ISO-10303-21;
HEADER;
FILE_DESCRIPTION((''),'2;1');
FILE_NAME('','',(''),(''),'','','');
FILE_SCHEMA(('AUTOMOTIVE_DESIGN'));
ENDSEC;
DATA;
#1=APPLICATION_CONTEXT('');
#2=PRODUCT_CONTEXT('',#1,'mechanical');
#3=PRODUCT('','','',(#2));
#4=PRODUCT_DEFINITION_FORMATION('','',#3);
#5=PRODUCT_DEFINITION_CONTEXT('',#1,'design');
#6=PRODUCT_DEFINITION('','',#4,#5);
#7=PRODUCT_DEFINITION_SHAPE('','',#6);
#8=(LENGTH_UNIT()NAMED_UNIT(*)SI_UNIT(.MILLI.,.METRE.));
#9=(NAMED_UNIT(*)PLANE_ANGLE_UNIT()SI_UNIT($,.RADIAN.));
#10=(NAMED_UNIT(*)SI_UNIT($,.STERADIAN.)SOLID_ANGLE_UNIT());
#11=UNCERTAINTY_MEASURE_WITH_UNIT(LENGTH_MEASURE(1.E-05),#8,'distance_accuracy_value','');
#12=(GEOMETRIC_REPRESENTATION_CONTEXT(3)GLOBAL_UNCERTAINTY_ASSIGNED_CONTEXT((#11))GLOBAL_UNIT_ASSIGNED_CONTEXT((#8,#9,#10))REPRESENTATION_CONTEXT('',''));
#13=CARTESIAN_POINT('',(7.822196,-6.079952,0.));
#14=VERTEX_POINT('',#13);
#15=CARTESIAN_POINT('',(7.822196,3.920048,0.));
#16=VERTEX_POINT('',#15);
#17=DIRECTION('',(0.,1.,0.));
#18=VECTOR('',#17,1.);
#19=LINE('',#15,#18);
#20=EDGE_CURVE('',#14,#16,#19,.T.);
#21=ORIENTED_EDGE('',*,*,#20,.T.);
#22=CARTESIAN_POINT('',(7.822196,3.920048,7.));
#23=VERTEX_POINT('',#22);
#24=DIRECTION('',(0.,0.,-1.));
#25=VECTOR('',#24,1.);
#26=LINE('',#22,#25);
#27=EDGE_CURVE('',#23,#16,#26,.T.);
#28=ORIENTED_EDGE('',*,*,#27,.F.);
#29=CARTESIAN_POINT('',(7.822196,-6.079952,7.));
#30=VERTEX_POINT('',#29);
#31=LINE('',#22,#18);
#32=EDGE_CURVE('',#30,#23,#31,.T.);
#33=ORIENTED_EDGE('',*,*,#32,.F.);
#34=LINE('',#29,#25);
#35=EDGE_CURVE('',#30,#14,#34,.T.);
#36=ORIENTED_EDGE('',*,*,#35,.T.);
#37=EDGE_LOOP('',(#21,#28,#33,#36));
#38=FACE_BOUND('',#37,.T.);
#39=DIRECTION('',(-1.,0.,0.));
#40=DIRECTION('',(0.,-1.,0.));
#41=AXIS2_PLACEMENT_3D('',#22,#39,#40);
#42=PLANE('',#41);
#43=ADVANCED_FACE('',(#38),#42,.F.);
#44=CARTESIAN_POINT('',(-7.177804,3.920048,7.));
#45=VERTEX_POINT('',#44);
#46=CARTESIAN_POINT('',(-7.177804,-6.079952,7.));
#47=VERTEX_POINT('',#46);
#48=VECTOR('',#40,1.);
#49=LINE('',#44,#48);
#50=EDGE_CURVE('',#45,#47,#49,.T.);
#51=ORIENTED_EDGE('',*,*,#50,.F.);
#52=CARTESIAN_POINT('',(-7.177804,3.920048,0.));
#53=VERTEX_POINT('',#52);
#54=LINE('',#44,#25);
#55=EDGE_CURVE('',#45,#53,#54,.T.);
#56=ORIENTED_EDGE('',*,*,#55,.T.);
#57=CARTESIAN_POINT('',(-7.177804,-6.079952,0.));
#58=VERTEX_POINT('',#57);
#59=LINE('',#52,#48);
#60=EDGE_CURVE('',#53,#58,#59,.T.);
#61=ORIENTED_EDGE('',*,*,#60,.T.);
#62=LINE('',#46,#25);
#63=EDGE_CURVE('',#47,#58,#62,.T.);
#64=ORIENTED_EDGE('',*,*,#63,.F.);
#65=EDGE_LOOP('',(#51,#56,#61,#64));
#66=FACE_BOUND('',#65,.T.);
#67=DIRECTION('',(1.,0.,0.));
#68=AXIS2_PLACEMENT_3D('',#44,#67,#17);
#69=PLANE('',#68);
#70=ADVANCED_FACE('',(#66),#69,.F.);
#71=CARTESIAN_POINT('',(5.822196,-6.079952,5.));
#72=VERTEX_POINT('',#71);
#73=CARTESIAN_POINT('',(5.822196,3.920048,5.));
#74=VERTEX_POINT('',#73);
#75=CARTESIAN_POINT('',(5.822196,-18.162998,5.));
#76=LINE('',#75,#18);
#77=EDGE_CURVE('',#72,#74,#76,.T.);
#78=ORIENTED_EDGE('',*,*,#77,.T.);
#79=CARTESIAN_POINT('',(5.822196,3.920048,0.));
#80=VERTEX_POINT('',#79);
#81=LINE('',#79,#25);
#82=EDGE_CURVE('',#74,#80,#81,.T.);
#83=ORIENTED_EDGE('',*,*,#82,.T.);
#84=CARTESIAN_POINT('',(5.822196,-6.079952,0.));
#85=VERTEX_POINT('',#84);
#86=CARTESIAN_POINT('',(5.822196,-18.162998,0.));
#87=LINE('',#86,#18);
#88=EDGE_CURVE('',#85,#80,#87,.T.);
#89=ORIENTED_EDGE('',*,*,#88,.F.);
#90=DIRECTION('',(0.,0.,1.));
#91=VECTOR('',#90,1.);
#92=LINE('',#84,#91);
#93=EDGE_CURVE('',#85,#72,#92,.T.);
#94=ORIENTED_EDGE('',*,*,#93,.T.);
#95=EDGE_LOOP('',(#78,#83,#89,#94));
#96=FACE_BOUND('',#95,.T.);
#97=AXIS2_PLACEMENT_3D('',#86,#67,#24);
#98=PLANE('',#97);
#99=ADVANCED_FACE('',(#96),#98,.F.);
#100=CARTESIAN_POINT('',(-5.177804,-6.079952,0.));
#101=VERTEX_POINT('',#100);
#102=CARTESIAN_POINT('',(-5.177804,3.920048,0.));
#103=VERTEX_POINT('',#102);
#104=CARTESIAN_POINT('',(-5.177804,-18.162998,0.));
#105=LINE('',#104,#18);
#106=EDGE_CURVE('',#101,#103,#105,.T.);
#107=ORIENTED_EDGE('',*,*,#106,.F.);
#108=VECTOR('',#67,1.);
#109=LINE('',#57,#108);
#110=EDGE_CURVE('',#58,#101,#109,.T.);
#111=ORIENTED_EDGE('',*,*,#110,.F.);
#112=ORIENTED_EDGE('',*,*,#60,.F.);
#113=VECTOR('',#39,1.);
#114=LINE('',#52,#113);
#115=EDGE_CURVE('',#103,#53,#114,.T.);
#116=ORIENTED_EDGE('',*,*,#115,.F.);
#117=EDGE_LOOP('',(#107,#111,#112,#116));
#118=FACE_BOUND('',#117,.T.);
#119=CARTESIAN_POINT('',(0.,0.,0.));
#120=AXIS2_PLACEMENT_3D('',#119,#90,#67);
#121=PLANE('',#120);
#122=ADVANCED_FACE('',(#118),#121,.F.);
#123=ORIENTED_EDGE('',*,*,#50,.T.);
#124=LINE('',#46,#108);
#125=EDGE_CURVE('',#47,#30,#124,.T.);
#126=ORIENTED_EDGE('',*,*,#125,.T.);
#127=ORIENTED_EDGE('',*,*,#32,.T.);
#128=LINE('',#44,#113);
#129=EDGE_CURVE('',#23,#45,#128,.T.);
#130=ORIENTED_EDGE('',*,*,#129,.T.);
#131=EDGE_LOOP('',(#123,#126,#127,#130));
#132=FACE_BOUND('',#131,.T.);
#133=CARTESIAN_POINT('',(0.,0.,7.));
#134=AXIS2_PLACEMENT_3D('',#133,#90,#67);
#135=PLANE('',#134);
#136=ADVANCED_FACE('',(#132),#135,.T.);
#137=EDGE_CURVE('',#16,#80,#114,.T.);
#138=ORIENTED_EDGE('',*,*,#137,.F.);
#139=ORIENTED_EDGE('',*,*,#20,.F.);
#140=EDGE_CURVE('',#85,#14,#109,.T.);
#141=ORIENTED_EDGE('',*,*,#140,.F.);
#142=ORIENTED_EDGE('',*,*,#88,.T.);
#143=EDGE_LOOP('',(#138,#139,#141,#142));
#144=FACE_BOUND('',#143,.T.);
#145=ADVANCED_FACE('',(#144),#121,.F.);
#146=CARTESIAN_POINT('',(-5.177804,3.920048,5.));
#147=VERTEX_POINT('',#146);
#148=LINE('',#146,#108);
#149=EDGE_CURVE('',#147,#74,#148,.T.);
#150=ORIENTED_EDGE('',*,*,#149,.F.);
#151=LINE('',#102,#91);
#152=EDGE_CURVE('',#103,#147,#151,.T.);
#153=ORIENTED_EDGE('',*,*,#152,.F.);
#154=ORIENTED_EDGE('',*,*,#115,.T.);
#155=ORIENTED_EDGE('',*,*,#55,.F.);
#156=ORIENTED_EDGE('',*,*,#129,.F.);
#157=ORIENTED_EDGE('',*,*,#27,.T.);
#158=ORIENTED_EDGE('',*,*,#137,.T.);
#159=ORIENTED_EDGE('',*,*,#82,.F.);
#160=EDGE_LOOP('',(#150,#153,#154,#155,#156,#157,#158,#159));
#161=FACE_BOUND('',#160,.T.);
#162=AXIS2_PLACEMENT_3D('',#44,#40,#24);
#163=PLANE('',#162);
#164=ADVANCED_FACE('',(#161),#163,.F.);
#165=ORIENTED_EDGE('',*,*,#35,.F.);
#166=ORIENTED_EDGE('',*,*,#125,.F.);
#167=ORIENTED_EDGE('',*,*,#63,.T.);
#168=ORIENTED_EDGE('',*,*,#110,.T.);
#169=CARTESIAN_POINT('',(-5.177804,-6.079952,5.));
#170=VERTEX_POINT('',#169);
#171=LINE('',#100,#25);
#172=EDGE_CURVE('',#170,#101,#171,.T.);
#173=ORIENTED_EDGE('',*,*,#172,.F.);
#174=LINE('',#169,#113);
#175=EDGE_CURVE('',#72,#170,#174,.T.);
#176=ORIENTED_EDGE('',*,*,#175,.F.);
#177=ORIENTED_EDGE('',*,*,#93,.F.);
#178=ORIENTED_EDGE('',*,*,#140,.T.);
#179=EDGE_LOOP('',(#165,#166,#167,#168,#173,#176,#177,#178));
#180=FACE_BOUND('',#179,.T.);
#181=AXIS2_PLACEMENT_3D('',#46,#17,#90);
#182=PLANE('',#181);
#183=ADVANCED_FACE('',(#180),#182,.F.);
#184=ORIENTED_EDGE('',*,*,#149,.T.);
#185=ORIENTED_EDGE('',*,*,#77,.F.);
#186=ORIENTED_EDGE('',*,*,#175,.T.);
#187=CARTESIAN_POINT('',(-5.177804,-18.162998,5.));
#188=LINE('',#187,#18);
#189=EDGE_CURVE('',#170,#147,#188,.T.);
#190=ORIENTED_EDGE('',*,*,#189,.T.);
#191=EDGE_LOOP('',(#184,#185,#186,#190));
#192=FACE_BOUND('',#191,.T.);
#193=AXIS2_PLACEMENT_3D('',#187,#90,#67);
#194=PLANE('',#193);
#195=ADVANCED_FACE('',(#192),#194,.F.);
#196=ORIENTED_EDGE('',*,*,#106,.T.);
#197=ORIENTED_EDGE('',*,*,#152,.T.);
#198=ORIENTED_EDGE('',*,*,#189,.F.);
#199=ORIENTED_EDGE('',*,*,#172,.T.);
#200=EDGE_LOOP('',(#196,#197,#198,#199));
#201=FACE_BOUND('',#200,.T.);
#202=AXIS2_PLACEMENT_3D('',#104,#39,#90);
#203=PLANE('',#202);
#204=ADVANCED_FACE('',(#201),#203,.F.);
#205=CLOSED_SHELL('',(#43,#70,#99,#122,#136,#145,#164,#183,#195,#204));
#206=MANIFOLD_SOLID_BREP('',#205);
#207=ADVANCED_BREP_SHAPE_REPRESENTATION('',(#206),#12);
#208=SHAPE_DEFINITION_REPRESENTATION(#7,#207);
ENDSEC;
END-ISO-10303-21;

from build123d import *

# Parameters (mm, degrees)
SKETCH1_W           = 15
SKETCH1_H           = 10
BOSS_EXTRUDE1_DEPTH = 7
SKETCH2_W           = 11
SKETCH2_H           = 5
CUT_EXTRUDE1_DEPTH  = 10


with BuildPart() as part:
    # Sketch1 → Boss-Extrude1 (new body)
    with BuildSketch(Plane.XY):
        with Locations((0.322195704, -1.079952267)):
            Rectangle(SKETCH1_W, SKETCH1_H)
    extrude(amount=BOSS_EXTRUDE1_DEPTH)

    # Sketch2 → Cut-Extrude1 (cut)
    with BuildSketch(Plane(origin=(0, 3.920047733, 0), x_dir=(1, 0, 0), z_dir=(0, 1, 0))):
        with Locations((0.322195704, -2.5)):
            Rectangle(SKETCH2_W, SKETCH2_H)
    extrude(amount=-CUT_EXTRUDE1_DEPTH, mode=Mode.SUBTRACT)


solid = part.part
